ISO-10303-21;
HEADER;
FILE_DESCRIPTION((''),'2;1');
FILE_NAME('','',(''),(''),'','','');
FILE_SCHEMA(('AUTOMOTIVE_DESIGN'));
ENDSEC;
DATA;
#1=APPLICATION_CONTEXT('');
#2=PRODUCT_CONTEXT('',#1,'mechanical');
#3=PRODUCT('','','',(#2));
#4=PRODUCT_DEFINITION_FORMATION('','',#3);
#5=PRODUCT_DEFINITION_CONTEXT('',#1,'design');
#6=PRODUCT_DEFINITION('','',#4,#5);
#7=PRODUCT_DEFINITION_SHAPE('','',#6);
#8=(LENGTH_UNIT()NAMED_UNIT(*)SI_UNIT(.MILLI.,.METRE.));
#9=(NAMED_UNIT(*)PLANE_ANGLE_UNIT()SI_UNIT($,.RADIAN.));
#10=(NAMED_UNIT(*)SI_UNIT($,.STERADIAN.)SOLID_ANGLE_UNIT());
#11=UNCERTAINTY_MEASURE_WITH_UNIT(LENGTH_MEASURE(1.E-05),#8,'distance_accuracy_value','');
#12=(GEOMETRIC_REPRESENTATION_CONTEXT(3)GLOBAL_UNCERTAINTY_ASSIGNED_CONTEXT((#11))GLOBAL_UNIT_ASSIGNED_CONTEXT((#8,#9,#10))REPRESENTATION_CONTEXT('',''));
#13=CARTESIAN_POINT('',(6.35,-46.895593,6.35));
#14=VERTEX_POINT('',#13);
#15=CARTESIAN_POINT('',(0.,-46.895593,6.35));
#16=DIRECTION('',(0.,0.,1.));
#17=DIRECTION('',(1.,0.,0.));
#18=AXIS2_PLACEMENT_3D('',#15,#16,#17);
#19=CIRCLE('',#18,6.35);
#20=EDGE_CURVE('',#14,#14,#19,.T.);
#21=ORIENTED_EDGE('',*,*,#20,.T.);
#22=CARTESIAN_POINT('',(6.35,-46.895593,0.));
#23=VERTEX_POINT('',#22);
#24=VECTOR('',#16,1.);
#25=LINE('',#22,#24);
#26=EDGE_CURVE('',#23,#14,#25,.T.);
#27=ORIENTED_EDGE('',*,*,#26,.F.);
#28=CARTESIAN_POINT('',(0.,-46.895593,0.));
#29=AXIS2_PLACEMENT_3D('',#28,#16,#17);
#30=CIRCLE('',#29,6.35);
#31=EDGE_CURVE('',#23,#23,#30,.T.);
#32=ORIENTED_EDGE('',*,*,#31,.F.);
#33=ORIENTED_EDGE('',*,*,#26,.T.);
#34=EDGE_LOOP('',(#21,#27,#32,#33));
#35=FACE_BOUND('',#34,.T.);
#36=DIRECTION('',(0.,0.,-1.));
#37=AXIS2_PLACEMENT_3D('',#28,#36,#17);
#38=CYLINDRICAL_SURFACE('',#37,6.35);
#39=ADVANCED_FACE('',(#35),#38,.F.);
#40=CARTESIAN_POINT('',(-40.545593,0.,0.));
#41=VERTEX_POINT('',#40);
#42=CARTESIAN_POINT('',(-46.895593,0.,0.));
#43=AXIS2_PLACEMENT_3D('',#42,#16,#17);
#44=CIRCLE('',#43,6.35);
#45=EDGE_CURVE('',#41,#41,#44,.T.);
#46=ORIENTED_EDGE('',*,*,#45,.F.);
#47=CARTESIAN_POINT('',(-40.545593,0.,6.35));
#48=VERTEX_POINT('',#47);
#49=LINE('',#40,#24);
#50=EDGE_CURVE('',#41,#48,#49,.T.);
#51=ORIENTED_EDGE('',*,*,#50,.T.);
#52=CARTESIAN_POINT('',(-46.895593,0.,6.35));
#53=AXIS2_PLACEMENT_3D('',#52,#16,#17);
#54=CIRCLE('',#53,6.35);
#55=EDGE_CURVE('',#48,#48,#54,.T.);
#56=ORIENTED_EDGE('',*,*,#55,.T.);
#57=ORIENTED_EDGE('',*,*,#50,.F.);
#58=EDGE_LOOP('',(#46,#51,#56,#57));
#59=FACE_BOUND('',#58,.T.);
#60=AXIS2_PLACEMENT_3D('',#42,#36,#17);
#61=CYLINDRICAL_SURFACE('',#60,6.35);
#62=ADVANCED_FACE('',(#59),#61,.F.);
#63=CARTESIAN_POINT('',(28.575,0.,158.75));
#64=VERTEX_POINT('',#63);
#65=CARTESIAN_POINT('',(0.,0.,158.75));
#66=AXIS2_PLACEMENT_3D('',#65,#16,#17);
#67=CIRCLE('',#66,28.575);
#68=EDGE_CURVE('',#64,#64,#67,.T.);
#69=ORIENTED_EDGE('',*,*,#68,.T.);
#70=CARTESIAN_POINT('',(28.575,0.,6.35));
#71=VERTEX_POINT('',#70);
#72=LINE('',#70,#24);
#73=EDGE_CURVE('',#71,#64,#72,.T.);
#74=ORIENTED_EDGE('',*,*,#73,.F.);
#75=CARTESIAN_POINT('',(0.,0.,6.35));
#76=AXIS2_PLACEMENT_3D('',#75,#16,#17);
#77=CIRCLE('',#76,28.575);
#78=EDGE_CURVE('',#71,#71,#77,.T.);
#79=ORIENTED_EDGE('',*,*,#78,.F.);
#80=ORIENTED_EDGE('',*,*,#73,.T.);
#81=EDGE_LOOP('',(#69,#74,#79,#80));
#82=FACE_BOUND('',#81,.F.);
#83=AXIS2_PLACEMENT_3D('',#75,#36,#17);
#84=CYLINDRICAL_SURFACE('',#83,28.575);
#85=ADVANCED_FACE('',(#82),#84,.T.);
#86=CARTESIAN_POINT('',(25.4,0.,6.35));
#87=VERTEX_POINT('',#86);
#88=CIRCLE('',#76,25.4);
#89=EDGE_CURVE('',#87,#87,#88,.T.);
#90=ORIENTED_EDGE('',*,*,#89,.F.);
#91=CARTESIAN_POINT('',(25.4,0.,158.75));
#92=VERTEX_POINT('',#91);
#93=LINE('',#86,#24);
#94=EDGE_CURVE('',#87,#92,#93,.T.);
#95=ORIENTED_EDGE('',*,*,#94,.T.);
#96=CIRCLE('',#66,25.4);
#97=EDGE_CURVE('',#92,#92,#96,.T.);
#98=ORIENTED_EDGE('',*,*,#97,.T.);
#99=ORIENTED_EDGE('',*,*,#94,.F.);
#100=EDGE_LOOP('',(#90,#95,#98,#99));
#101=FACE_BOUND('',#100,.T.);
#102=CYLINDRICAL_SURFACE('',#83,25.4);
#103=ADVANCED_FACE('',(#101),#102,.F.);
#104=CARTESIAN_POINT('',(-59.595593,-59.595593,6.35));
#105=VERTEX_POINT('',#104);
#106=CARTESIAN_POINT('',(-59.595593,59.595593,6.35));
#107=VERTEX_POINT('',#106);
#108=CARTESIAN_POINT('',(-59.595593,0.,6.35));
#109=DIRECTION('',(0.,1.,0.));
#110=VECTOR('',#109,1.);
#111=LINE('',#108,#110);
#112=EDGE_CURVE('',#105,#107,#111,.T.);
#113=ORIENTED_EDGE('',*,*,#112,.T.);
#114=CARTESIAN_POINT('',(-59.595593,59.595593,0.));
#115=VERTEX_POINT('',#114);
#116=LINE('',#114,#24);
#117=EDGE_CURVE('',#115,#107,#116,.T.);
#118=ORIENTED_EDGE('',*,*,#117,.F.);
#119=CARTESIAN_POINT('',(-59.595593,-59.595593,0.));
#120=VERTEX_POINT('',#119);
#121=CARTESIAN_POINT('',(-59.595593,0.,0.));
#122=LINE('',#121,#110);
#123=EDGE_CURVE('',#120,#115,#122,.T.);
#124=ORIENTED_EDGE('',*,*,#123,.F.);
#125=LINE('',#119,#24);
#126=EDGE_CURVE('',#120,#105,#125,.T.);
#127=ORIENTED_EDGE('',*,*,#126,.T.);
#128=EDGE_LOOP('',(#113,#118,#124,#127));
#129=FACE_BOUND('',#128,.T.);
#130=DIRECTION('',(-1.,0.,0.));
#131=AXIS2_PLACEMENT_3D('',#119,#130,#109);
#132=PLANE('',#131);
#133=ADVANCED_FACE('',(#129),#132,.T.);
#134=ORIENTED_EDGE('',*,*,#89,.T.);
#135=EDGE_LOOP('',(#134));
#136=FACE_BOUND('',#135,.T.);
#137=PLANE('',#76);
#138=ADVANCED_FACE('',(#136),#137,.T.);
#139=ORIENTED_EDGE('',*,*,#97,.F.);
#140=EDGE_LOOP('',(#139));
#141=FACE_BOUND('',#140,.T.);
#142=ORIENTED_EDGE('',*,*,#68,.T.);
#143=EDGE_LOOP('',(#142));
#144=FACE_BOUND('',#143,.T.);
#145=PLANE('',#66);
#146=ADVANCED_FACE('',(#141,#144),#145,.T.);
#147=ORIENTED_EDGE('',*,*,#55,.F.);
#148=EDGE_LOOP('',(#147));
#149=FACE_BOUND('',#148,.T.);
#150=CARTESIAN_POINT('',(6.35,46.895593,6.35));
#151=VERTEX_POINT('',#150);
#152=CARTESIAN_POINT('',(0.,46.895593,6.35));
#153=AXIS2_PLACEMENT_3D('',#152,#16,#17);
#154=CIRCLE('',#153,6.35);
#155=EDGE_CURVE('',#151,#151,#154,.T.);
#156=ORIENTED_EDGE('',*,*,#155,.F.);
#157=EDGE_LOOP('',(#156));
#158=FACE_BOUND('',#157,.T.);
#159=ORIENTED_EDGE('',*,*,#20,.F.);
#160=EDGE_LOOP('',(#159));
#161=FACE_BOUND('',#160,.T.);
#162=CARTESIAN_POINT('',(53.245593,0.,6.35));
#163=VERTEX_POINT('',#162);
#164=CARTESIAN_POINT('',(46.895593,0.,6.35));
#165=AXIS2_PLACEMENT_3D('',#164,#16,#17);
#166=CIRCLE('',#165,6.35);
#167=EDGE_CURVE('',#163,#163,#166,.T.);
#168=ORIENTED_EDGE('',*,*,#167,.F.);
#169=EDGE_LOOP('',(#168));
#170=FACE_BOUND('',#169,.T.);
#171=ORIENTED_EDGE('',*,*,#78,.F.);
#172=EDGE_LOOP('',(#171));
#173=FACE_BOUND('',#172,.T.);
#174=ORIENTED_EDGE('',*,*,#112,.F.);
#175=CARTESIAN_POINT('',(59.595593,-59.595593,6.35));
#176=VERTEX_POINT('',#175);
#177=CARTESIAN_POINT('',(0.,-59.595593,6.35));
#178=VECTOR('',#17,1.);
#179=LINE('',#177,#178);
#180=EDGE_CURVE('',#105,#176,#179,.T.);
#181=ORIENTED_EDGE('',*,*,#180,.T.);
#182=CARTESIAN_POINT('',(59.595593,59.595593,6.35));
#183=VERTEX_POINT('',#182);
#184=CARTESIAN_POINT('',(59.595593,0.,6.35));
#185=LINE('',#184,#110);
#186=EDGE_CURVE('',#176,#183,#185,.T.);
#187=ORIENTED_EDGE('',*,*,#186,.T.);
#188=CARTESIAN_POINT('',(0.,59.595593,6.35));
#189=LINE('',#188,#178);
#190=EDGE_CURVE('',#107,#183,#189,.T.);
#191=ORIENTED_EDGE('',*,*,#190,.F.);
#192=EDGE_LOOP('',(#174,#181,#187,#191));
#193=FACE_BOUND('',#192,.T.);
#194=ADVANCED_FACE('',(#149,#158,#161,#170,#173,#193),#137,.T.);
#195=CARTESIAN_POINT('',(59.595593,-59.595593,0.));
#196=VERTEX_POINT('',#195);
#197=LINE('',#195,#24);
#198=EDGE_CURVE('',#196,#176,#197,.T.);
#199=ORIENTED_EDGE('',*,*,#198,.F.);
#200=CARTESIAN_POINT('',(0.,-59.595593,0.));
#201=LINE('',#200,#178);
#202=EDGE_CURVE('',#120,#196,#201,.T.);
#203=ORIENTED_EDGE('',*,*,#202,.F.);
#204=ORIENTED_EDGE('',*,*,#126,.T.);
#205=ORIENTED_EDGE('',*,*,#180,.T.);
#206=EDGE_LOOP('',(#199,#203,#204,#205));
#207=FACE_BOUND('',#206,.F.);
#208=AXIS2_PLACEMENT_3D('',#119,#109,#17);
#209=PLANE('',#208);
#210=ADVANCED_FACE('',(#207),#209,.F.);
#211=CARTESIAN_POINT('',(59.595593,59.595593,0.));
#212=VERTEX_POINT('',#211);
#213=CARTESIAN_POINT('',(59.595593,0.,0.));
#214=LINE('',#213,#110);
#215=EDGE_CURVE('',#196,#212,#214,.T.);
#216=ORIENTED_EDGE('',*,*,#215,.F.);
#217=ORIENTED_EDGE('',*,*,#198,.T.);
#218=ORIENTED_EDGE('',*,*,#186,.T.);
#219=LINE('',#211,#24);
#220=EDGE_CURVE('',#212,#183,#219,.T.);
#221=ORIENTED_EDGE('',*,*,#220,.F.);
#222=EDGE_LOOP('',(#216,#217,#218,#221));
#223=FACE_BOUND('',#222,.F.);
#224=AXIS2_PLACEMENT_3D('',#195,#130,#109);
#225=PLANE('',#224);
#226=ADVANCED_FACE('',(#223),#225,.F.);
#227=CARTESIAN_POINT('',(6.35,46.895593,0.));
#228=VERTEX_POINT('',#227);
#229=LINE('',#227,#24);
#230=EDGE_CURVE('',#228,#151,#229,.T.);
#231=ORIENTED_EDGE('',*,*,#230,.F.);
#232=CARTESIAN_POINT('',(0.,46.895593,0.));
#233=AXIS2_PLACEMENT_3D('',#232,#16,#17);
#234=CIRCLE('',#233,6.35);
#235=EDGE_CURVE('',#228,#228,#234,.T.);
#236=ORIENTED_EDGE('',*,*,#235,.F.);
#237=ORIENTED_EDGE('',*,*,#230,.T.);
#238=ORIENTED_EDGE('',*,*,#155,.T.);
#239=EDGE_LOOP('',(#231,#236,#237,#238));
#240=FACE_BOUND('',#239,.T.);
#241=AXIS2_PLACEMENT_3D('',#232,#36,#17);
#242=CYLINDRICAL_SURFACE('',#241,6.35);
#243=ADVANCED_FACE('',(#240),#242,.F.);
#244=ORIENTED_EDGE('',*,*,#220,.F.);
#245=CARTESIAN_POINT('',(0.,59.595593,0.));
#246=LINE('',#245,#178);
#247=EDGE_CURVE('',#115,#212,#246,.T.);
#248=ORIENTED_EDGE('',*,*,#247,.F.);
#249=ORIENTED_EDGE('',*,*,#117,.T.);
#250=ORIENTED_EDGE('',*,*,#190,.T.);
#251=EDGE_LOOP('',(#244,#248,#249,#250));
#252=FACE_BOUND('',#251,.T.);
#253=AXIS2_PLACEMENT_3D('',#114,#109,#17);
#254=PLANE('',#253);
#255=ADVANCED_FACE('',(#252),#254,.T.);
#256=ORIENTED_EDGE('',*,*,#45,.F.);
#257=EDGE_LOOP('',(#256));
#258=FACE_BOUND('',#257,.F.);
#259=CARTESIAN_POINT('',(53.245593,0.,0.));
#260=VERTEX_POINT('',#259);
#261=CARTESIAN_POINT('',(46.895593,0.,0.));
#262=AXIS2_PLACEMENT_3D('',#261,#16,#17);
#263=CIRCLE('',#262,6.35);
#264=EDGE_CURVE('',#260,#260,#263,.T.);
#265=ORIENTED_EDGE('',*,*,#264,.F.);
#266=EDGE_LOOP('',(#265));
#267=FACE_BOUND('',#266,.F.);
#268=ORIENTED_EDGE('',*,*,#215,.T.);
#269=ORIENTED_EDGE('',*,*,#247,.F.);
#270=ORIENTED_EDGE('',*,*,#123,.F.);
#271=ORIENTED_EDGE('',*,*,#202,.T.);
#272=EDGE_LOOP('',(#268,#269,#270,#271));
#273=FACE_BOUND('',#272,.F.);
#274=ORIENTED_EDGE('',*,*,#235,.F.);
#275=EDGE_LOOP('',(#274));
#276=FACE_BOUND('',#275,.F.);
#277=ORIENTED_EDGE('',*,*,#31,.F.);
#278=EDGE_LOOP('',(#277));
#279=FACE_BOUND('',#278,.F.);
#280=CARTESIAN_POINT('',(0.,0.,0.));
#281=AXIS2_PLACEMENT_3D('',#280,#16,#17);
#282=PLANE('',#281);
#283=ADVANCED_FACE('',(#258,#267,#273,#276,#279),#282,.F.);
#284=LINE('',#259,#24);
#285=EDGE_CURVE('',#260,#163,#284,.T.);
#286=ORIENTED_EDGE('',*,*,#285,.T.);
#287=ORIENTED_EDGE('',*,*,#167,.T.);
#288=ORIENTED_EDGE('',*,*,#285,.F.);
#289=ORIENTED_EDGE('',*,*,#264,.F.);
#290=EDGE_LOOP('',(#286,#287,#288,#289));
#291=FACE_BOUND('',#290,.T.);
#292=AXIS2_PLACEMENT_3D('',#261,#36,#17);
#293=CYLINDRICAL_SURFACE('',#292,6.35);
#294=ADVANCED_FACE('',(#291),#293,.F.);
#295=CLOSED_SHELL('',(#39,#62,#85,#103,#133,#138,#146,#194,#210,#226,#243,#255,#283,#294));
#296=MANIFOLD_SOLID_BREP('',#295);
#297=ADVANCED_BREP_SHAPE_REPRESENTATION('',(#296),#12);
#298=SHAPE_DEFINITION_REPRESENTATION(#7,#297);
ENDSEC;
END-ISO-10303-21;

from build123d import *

# Parameters (mm, degrees)
F0_W     = 119.191186
F0_H     = 119.191186
F0_R     = 6.35
F1_DEPTH = 6.35
F2_R     = 28.575
F2_R_2   = 25.4
F3_DEPTH = 152.4


with BuildPart() as f1:
    # F0 (on Top) → F1 (new body)
    with BuildSketch(Plane.XY):
        Rectangle(F0_W, F0_H)
        with Locations((0, -46.895593)):
            Circle(F0_R, mode=Mode.SUBTRACT)
        with Locations((-46.895593, 0)):
            Circle(F0_R, mode=Mode.SUBTRACT)
        with Locations((46.895593, 0)):
            Circle(F0_R, mode=Mode.SUBTRACT)
        with Locations((0, 46.895593)):
            Circle(F0_R, mode=Mode.SUBTRACT)
    extrude(amount=F1_DEPTH)

    # F2 (on face) → F3 (join)
    with BuildSketch(Plane.XY.offset(6.35)):
        Circle(F2_R)
        Circle(F2_R_2, mode=Mode.SUBTRACT)
    extrude(amount=F3_DEPTH)


solid = f1.part
